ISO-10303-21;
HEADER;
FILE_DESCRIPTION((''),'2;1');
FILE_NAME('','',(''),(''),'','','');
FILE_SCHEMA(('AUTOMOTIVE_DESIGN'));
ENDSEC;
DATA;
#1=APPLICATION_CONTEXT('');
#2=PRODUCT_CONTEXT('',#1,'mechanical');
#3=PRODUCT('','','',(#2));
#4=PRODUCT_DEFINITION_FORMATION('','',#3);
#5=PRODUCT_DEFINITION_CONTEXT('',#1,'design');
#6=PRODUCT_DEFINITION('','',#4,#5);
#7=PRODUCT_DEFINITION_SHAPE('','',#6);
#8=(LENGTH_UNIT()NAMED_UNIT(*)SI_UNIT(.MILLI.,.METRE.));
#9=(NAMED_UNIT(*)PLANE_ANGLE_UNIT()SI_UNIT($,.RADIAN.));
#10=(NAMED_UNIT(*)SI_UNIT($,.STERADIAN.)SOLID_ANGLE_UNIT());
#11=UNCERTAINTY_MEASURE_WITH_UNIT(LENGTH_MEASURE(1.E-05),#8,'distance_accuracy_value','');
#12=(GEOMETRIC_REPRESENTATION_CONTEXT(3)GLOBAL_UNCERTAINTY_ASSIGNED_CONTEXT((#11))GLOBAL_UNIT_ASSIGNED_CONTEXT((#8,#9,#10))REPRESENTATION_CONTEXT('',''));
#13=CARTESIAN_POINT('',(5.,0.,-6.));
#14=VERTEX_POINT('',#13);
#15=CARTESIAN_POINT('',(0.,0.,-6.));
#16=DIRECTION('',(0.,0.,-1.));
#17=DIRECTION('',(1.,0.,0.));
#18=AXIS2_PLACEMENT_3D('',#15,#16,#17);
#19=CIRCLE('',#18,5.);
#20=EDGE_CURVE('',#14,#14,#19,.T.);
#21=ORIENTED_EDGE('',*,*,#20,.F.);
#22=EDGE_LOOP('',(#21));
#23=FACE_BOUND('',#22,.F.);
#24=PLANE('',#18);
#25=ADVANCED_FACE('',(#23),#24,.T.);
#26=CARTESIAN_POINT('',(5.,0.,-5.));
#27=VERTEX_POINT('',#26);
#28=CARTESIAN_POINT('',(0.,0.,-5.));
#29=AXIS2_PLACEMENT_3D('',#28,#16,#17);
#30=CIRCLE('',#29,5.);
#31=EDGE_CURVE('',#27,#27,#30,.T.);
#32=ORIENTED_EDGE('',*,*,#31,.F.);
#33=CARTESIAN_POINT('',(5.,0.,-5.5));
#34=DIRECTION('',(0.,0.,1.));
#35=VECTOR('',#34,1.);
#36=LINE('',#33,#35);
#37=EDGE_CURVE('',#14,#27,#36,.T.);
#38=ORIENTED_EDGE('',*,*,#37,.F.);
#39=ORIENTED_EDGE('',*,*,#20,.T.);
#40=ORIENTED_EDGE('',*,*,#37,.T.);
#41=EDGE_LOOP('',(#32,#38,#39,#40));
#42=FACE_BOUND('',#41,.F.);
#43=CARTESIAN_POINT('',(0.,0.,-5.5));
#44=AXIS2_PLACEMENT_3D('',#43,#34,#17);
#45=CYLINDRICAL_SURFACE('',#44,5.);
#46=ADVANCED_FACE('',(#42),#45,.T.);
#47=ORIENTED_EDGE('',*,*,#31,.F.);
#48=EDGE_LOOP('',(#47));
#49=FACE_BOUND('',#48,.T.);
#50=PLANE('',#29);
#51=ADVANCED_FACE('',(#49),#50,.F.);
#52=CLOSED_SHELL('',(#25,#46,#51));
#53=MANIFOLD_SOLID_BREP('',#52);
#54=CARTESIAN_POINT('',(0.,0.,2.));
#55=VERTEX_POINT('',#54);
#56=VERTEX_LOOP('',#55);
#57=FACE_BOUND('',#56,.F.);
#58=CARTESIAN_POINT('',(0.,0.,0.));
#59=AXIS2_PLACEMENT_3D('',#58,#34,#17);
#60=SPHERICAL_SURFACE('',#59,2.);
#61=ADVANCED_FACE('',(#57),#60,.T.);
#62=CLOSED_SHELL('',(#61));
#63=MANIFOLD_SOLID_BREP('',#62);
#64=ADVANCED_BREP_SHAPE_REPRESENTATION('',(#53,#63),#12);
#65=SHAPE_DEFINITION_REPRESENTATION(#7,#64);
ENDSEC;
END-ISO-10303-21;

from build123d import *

# Parameters (mm, degrees)
F0_W = 5
F0_H = 1


with BuildPart() as f1:
    # F0 (on Front) → F1 (revolve)
    with BuildSketch(Plane.XZ):
        with BuildLine():
            Line((0, 2), (0, -2))
            ThreePointArc((0, -2), (2, 0), (0, 2))
        make_face()
        with Locations((2.5, -5.5)):
            Rectangle(F0_W, F0_H)
    revolve(axis=Axis((0, 0, 0), (0, 0, -1)))


solid = f1.part
